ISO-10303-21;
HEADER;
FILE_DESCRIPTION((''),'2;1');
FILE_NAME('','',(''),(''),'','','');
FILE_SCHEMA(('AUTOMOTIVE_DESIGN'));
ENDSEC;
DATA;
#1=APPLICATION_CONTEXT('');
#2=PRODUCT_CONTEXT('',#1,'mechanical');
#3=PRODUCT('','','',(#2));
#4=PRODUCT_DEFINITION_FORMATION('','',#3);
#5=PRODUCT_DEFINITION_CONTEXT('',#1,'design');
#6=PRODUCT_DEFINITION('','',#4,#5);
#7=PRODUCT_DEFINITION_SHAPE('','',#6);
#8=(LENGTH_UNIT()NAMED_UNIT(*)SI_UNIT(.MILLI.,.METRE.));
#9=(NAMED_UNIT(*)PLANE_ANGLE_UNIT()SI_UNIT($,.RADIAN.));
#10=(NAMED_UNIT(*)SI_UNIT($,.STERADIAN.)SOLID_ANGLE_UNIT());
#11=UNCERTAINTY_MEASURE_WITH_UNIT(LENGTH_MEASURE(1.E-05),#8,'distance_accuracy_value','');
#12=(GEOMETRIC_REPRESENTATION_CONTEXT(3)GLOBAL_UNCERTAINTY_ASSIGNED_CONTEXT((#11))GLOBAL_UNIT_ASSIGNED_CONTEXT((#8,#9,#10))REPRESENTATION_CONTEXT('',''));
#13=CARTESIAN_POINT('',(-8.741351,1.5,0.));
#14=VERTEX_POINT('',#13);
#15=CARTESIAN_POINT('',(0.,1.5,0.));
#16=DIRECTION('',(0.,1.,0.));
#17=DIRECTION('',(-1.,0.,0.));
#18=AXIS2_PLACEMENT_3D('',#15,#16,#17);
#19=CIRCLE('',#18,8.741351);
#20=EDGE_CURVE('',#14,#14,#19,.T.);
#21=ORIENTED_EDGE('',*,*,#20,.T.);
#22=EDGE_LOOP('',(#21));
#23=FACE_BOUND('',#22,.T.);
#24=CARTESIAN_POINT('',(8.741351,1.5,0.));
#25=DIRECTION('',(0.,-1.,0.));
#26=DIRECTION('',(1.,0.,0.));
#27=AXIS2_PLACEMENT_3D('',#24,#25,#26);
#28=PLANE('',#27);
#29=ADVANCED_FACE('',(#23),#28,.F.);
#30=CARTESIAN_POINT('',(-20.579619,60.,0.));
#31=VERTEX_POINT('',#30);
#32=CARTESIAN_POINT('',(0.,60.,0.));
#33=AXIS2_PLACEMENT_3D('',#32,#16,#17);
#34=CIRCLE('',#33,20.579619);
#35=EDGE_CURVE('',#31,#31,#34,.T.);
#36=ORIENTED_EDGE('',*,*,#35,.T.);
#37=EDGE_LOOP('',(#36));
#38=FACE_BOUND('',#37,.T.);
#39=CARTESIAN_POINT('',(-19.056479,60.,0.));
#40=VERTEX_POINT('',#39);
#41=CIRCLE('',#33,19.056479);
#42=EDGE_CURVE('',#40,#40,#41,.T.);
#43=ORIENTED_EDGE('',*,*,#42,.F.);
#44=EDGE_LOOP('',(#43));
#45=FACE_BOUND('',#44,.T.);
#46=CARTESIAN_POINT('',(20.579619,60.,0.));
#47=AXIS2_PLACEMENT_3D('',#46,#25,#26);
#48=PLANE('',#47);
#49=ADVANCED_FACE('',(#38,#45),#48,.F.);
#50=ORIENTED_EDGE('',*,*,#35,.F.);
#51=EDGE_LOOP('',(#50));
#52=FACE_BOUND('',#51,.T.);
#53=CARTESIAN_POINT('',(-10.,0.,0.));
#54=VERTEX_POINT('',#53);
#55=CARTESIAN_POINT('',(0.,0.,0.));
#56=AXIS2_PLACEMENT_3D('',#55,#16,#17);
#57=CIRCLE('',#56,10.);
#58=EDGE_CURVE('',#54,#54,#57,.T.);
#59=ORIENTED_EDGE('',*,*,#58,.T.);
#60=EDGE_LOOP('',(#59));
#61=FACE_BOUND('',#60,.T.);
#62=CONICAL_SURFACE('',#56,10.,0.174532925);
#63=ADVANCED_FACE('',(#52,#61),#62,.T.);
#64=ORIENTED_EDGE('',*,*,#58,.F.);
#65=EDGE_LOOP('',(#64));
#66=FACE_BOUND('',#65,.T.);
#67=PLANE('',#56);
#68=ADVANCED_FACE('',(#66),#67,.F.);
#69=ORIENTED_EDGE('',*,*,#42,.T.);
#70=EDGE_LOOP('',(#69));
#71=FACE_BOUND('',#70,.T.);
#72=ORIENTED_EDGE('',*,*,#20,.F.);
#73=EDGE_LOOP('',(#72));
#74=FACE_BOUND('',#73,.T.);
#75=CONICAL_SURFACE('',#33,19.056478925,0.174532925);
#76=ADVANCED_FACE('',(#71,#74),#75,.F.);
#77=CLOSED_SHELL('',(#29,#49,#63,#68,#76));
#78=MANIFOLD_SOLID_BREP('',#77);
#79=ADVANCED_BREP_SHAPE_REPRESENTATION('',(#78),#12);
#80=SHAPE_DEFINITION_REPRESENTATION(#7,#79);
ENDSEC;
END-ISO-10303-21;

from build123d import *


with BuildPart() as part:
    # Sketch1 → Revolve1 (revolve)
    with BuildSketch(Plane.XY, mode=Mode.PRIVATE) as revolve1_sk:
        Polygon((0, 0), (10, 0), (20.579618843, 60), (19.056478925, 60), (8.741350553, 1.5), (0, 1.5), align=None)
    revolve(revolve1_sk.sketch.rotate(Axis((0, 1.5, 0), (0, -1, 0)), 180), axis=Axis((0, 1.5, 0), (0, -1, 0)))


solid = part.part
